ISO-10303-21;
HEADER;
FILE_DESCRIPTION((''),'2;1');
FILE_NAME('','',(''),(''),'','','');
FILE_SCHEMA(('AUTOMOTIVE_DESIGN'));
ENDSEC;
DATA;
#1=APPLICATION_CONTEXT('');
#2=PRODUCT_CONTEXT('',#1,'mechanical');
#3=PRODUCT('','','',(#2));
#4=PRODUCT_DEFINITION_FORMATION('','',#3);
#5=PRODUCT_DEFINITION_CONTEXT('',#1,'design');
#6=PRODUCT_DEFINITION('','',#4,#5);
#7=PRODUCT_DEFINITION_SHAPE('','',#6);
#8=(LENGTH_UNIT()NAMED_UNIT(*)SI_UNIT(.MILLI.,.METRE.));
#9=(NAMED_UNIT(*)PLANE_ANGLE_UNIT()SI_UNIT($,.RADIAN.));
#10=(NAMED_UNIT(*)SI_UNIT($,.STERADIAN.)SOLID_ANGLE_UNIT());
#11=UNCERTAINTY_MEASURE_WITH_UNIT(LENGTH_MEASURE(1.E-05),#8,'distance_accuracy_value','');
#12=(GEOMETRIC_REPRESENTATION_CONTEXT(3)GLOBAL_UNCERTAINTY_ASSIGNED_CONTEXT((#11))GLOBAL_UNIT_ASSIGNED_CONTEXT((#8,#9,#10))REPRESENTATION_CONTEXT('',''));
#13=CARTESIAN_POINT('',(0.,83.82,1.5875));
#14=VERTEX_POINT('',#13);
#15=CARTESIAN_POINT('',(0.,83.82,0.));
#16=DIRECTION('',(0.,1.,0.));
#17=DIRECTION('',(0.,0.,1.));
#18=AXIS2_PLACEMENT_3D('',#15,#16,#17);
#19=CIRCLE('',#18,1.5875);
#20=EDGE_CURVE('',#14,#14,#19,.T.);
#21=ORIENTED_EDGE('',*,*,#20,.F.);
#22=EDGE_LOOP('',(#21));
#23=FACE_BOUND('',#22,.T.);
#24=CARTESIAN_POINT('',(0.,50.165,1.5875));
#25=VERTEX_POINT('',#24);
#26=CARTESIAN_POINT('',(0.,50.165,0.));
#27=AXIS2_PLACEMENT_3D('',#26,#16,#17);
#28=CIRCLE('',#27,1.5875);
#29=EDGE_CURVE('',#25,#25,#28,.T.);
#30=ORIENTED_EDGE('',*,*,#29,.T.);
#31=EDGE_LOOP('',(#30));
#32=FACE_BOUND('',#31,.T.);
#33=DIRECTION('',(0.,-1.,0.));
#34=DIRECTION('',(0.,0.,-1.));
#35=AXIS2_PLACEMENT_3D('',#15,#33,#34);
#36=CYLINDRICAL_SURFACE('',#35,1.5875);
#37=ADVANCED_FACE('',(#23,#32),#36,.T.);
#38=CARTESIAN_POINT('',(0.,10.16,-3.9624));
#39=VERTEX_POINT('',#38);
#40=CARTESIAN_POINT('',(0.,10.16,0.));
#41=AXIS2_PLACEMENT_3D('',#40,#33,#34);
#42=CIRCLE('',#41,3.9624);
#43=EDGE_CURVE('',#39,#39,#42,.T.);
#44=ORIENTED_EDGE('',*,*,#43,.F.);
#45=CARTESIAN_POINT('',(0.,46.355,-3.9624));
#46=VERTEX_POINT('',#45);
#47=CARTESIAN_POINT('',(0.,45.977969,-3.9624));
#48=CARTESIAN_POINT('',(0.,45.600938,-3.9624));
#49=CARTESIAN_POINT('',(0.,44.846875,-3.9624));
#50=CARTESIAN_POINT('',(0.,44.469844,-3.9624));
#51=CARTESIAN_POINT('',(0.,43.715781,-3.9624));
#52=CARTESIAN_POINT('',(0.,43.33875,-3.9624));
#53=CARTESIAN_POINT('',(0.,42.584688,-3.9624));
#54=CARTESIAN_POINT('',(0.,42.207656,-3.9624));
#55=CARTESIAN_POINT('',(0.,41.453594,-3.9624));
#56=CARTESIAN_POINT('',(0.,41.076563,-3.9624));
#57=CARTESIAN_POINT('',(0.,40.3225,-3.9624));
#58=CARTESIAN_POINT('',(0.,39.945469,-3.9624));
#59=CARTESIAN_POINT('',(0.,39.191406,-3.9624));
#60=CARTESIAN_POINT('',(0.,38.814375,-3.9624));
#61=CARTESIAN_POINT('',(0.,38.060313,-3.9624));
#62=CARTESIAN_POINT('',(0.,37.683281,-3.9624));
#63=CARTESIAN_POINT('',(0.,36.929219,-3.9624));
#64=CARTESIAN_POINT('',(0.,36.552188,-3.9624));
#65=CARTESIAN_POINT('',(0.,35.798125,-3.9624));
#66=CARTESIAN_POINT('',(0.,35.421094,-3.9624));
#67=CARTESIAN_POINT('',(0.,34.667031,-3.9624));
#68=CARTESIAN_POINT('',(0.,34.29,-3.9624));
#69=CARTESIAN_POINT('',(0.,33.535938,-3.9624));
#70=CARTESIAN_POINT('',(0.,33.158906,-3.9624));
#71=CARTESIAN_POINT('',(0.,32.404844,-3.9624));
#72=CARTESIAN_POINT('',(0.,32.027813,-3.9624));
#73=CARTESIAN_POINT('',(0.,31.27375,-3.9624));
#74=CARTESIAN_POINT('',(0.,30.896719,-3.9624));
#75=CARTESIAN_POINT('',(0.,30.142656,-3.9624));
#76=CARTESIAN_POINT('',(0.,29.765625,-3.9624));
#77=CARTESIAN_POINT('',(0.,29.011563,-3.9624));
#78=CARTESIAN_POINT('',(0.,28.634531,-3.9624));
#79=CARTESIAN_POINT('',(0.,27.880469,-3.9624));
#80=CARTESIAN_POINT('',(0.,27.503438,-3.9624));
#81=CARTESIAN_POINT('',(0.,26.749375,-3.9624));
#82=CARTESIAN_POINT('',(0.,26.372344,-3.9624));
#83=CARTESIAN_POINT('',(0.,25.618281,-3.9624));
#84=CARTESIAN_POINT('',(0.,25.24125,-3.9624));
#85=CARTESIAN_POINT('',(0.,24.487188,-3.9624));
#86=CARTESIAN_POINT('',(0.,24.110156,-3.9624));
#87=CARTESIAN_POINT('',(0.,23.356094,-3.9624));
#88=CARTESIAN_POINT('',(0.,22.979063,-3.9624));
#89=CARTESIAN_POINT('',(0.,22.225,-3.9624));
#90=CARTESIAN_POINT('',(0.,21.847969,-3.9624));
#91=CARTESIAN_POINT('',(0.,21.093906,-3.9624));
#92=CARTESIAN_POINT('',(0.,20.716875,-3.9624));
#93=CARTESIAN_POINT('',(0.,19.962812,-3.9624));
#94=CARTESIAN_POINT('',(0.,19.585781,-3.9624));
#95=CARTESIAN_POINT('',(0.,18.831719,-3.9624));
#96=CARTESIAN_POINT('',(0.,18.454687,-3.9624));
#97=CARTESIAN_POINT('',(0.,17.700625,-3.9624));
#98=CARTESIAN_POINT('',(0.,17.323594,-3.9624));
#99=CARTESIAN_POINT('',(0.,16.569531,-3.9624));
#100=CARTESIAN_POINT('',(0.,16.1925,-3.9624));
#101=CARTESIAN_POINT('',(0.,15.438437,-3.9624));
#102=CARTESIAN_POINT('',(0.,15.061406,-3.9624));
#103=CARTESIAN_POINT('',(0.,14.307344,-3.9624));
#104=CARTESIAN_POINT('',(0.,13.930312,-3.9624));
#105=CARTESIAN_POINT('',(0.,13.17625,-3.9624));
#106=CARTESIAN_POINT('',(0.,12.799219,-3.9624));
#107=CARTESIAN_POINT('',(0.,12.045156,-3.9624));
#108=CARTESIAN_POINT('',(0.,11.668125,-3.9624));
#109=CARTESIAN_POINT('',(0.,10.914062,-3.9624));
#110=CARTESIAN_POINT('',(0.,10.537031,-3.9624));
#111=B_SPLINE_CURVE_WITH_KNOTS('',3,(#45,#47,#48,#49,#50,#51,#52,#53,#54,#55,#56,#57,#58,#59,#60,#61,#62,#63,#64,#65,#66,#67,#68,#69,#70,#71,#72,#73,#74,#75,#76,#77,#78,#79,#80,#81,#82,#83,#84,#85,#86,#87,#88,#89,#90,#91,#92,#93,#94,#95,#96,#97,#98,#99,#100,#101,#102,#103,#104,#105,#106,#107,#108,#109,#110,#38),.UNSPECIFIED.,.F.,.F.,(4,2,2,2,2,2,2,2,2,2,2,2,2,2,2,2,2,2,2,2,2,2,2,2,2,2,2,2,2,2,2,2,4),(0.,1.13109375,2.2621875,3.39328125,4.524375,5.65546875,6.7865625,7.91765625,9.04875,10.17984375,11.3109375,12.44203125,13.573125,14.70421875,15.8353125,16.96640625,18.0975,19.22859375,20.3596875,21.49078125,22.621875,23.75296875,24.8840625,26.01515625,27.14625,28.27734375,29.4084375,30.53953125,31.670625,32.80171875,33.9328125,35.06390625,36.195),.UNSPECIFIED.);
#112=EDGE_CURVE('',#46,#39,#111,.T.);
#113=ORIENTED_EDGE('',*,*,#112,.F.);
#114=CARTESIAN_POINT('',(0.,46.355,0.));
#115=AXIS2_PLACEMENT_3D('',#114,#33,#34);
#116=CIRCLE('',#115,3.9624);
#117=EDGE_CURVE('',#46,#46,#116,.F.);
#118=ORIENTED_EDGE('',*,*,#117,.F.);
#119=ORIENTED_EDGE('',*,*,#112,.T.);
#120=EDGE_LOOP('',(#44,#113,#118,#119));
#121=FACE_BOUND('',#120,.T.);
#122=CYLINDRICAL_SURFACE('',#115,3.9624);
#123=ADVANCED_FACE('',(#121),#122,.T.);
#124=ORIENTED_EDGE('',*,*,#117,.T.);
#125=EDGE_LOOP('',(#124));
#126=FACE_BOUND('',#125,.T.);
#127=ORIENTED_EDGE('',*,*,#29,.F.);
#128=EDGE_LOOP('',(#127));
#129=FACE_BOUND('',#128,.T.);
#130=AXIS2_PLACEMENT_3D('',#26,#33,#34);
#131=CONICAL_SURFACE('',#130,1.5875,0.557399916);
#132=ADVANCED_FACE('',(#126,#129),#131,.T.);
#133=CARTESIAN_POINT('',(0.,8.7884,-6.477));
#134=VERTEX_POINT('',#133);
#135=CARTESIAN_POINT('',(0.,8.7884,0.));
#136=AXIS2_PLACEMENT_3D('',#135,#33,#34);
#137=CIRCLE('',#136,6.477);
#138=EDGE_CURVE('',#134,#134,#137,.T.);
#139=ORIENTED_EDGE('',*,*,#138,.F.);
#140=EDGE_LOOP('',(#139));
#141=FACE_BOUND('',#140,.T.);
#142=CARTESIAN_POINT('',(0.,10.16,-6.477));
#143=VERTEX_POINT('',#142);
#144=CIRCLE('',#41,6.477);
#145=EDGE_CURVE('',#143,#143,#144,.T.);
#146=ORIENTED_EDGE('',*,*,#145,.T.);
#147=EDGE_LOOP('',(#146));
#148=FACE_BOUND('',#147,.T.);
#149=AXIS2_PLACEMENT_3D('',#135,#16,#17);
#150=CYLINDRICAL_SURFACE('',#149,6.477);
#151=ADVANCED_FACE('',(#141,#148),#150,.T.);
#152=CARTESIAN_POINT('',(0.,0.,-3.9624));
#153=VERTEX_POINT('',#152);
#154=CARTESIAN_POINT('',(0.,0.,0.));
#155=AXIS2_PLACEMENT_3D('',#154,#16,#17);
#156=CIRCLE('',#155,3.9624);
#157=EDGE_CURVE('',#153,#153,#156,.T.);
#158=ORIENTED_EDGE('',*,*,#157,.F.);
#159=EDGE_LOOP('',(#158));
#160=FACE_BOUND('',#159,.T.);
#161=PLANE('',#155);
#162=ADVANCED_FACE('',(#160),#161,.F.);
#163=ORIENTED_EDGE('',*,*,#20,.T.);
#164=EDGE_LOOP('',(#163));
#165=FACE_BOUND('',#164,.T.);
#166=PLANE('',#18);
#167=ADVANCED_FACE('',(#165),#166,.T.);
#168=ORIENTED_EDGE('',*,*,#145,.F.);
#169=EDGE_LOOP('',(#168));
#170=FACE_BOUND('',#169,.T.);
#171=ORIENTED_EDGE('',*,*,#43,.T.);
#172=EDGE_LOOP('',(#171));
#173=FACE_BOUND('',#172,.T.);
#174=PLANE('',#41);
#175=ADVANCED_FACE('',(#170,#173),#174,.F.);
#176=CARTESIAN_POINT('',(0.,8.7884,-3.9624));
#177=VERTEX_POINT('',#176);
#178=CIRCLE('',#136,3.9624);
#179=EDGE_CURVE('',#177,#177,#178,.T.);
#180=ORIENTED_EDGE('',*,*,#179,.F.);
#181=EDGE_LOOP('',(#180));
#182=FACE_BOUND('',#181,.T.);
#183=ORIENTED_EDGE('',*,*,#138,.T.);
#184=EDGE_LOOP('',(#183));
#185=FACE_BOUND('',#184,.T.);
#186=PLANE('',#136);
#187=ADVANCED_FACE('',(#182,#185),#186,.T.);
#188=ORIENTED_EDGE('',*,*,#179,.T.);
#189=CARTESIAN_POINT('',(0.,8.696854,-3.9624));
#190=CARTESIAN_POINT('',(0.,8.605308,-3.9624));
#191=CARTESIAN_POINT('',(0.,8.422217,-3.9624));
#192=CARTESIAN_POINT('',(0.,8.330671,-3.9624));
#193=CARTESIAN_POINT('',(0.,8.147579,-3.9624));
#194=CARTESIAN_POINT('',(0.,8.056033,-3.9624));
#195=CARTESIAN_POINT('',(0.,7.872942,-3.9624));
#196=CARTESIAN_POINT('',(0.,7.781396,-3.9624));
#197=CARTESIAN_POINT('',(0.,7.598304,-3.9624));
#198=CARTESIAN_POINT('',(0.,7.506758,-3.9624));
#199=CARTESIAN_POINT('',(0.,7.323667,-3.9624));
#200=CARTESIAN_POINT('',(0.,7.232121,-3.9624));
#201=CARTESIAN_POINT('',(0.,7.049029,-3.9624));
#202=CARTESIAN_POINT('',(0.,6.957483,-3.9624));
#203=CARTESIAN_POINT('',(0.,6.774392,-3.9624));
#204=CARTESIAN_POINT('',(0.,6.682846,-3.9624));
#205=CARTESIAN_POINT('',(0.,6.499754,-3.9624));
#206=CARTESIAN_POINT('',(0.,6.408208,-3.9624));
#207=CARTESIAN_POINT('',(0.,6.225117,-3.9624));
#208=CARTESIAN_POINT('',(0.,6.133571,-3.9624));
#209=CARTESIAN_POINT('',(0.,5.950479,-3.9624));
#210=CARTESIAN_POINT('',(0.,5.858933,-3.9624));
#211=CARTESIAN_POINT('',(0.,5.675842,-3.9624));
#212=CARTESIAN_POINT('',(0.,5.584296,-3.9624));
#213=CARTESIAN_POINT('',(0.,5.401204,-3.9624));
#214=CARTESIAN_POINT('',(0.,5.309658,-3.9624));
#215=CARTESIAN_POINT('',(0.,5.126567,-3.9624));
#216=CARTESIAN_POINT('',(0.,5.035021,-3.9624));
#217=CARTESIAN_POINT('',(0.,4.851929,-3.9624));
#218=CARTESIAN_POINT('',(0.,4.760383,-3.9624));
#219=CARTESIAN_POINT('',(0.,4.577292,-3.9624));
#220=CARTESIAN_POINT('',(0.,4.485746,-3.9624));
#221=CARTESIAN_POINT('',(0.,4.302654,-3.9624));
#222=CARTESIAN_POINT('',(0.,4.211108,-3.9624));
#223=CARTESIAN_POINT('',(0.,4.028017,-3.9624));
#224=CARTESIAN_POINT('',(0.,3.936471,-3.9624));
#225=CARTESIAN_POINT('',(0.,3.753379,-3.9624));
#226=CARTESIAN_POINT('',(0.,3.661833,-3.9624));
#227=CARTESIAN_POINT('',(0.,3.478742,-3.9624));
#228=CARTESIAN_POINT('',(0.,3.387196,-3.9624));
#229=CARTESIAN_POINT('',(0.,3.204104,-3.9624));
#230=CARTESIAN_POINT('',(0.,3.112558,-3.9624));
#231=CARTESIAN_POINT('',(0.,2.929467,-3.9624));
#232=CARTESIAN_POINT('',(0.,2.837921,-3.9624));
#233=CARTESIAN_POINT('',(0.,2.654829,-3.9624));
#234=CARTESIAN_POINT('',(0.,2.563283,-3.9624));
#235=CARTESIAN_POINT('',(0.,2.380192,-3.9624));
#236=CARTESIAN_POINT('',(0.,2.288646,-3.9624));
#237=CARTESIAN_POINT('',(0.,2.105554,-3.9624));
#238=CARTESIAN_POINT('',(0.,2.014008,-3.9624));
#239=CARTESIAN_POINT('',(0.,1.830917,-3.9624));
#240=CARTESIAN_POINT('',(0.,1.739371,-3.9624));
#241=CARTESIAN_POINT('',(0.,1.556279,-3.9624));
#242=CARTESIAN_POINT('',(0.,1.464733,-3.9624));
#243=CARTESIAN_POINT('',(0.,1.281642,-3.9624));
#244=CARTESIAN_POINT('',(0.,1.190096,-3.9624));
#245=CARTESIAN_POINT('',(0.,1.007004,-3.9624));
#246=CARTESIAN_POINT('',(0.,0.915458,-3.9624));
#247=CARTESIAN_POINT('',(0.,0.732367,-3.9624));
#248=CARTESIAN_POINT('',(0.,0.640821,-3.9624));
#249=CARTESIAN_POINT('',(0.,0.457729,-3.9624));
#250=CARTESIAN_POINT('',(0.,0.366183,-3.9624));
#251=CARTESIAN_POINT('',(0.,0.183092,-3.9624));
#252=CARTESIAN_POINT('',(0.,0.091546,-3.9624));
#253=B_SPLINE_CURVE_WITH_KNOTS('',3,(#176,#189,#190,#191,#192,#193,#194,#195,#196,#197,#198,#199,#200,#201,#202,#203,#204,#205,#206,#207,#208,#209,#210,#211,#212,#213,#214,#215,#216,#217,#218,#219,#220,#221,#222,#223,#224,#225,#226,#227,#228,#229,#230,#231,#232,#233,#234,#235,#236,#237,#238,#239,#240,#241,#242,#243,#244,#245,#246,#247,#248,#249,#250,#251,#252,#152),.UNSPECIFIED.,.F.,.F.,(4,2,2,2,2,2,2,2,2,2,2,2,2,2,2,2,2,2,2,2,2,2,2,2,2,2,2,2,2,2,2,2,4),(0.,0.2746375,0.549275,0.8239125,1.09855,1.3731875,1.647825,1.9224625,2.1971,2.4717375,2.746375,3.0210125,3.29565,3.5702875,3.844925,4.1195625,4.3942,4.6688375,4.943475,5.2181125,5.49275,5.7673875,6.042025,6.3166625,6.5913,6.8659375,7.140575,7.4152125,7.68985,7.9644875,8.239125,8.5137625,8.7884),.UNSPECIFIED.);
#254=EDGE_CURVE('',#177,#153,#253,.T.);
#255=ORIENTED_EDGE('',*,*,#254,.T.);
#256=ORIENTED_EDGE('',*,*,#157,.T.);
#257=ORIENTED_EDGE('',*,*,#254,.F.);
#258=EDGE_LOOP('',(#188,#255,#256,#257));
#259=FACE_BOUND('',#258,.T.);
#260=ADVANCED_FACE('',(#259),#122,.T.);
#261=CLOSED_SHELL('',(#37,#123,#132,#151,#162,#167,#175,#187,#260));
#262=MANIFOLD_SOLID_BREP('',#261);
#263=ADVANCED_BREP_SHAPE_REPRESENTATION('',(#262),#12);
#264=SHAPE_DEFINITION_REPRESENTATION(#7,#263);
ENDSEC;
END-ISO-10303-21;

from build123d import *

# Parameters (mm, degrees)
SKETCH1_R           = 3.9624
BOSS_EXTRUDE1_DEPTH = 46.355
SKETCH3_R           = 3.9624
SKETCH2_R           = 1.5875
SKETCH4_R           = 1.5875
BOSS_EXTRUDE2_DEPTH = 33.655
SKETCH5_R           = 6.477
BOSS_EXTRUDE3_DEPTH = 1.3716


with BuildPart() as part:
    # Sketch1 → Boss-Extrude1 (new body)
    with BuildSketch(Plane(origin=(0, 0, 0), x_dir=(1, 0, 0), z_dir=(0, 1, 0))):
        with Locations(Location((0, 0, 0), (0, 0, 90))):
            Circle(SKETCH1_R)
    extrude(amount=BOSS_EXTRUDE1_DEPTH)

    # Sketch3 → Loft1 section 0
    with BuildSketch(Plane(origin=(0, 46.355, 0), x_dir=(1, 0, 0), z_dir=(0, 1, 0))):
        Circle(SKETCH3_R)
    # Sketch2 → Loft1 section 1
    with BuildSketch(Plane(origin=(0, 50.165, 0), x_dir=(1, 0, 0), z_dir=(0, 1, 0))):
        Circle(SKETCH2_R)
    loft()

    # Sketch4 → Boss-Extrude2 (add)
    with BuildSketch(Plane(origin=(0, 50.165, 0), x_dir=(1, 0, 0), z_dir=(0, 1, 0))):
        with Locations(Location((0, 0, 0), (0, 0, 270))):
            Circle(SKETCH4_R)
    extrude(amount=BOSS_EXTRUDE2_DEPTH)

    # Sketch5 → Boss-Extrude3 (add)
    with BuildSketch(Plane(origin=(0, 10.16, 0), x_dir=(-1, 0, 0), z_dir=(0, -1, 0))):
        with Locations(Location((0, 0, 0), (0, 0, 90))):
            Circle(SKETCH5_R)
    extrude(amount=BOSS_EXTRUDE3_DEPTH)


solid = part.part
